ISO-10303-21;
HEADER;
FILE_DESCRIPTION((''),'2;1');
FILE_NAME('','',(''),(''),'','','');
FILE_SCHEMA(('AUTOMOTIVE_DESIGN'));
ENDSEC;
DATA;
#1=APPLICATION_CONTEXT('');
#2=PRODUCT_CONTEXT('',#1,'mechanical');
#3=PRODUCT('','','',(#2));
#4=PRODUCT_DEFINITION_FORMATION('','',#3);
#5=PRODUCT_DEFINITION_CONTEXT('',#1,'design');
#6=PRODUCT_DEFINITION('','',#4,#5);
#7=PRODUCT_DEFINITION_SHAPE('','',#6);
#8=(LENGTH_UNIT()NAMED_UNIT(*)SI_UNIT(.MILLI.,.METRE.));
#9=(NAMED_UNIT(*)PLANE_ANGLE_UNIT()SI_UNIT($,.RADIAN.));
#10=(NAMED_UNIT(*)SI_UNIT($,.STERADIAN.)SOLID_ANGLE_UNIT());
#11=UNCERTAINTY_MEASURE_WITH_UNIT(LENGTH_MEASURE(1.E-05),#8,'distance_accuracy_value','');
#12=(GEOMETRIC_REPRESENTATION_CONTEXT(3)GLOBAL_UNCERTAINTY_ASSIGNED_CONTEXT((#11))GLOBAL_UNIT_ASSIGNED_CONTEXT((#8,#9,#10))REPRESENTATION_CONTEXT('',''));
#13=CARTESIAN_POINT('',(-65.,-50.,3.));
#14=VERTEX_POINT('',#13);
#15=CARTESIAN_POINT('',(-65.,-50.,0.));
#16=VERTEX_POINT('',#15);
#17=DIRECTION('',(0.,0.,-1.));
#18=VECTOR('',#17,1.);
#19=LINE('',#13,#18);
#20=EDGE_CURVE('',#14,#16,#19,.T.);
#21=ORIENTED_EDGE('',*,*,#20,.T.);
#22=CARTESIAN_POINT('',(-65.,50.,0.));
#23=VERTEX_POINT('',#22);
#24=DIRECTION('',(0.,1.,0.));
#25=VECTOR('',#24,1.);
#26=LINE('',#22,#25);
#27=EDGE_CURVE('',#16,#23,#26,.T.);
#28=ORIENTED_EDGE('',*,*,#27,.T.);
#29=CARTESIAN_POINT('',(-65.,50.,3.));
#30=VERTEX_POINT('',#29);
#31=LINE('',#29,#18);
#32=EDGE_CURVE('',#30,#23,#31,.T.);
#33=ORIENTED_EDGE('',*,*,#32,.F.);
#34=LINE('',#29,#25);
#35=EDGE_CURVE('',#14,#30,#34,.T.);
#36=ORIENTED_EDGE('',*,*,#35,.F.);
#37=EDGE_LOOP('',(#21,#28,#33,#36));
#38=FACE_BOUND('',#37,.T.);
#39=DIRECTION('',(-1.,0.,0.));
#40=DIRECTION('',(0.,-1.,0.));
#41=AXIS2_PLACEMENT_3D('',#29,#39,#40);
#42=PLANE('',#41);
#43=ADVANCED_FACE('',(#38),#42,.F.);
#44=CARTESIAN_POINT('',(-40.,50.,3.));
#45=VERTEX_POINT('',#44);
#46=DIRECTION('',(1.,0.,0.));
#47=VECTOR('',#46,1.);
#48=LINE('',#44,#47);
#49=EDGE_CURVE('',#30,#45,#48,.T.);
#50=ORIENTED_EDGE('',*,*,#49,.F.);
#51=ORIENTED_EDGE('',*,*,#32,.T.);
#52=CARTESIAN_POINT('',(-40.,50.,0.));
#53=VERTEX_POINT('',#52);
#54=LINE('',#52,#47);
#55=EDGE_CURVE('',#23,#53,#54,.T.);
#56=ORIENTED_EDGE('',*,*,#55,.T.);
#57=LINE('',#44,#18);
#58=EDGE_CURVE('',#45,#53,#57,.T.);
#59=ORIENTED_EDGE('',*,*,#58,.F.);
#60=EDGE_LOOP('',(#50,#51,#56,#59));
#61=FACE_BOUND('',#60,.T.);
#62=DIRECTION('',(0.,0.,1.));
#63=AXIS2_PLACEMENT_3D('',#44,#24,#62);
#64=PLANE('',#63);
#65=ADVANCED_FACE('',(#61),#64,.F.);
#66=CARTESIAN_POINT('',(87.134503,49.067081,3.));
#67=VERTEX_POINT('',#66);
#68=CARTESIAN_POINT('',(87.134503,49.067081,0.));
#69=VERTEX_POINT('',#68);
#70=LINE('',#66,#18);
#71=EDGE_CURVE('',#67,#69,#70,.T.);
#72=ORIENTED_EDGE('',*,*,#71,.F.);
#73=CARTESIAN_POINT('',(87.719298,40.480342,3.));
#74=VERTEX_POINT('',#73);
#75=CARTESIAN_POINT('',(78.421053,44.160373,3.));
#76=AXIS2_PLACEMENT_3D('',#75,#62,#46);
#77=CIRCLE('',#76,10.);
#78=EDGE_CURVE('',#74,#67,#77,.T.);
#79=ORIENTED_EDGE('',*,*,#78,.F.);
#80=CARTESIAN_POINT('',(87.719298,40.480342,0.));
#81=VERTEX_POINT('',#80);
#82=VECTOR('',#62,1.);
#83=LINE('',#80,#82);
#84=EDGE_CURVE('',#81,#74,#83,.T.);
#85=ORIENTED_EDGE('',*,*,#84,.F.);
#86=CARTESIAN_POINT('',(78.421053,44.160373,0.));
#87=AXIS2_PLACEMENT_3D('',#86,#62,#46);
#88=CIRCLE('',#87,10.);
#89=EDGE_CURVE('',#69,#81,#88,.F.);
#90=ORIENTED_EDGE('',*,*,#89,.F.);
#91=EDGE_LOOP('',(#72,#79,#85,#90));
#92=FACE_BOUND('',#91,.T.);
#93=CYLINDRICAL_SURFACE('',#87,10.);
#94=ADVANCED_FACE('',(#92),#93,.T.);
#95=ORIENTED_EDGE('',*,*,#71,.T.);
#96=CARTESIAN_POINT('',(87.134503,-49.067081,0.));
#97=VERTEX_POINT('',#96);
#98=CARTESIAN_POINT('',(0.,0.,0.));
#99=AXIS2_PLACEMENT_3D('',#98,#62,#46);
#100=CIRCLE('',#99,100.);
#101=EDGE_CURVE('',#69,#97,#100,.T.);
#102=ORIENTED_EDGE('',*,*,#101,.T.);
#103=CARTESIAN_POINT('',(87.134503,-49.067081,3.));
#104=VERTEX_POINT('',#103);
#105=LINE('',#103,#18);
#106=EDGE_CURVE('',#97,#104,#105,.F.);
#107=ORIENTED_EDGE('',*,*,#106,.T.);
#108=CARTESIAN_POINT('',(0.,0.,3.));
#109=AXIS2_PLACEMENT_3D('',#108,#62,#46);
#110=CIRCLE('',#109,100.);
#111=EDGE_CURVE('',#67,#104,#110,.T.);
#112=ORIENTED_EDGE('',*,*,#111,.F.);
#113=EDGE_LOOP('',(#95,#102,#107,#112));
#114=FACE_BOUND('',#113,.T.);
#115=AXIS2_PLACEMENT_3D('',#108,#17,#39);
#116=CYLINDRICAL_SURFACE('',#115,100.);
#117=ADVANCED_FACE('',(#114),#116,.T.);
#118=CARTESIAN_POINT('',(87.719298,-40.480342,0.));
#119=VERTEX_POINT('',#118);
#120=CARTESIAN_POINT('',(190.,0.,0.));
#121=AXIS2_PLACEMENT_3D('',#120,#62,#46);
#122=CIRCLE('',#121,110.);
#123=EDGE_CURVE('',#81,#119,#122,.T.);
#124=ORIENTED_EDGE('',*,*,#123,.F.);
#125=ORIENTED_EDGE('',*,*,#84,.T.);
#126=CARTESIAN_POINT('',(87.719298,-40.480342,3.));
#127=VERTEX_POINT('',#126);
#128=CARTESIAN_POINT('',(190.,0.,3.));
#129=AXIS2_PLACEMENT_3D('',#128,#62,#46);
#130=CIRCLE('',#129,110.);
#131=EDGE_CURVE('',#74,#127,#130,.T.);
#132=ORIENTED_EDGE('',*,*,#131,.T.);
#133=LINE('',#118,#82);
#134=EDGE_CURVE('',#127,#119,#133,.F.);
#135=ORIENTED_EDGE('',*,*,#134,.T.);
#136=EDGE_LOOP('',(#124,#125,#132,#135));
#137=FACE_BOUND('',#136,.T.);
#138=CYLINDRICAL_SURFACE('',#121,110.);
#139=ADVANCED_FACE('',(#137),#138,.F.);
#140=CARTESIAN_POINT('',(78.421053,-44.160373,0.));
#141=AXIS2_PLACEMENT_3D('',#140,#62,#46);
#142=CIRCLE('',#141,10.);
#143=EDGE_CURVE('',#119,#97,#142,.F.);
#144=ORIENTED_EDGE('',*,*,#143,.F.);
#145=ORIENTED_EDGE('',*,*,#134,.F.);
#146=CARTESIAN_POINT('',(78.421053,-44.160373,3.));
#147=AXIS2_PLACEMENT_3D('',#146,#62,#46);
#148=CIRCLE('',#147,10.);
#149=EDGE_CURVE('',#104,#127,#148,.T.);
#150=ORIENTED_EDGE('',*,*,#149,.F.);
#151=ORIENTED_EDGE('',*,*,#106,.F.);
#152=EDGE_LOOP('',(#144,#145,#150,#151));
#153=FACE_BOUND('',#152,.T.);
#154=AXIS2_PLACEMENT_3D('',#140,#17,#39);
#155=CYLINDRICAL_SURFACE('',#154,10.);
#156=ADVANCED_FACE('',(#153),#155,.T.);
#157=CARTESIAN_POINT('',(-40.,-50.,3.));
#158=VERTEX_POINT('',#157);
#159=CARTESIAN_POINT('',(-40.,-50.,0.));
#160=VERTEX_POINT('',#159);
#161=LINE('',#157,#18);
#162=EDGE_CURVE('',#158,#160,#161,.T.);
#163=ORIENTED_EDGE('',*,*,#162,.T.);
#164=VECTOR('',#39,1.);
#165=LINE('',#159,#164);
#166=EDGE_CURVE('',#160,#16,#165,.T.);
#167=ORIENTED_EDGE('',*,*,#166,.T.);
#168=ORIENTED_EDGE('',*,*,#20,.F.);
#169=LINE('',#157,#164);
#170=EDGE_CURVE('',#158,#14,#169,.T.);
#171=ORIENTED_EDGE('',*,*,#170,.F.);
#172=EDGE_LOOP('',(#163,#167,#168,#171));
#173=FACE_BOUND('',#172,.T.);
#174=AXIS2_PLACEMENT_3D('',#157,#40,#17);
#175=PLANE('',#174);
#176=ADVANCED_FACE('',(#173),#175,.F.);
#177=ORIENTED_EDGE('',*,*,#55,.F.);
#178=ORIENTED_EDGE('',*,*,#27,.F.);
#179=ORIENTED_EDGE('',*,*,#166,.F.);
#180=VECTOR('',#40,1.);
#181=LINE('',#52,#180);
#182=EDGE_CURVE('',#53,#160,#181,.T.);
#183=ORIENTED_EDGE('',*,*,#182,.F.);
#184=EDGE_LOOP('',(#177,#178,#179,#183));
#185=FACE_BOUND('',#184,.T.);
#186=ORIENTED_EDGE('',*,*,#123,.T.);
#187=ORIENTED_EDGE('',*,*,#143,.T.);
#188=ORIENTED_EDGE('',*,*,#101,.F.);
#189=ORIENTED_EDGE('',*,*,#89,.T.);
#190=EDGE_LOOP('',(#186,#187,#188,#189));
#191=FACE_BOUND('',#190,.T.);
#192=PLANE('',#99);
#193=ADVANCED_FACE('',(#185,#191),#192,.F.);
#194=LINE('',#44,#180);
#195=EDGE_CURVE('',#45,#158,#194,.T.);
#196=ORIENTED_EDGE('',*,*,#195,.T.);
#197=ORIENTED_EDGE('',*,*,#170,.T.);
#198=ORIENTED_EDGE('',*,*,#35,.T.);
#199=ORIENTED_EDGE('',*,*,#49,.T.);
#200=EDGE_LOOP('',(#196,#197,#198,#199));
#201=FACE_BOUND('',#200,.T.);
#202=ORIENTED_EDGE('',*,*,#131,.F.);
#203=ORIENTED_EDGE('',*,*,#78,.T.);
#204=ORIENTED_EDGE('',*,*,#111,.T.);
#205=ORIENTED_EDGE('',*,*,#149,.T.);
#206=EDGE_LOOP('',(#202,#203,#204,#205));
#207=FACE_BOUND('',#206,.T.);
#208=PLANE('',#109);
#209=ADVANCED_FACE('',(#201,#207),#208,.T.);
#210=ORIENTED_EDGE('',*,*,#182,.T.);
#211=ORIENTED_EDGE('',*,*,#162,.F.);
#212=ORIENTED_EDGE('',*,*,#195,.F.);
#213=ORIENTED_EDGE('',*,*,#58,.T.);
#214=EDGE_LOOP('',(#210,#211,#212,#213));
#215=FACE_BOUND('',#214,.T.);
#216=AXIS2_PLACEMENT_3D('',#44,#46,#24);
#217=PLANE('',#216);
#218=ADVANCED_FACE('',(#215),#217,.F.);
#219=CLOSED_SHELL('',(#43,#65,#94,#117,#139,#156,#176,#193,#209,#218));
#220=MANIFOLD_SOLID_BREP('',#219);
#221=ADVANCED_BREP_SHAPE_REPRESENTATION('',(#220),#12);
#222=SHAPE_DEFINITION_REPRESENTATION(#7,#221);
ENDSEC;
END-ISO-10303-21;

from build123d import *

# Parameters (mm, degrees)
CROQUIS1_R              = 100
SALIENTE_EXTRUIR1_DEPTH = 3
CROQUIS3_R              = 110
CORTAR_EXTRUIR1_DEPTH   = 3
REDONDEO1_R             = 10
CROQUIS4_W              = 25
CROQUIS4_H              = 100
CORTAR_EXTRUIR2_DEPTH   = 142.453172607


with BuildPart() as part:
    # Croquis1 → Saliente-Extruir1 (new body)
    with BuildSketch(Plane.XY):
        Circle(CROQUIS1_R)
    extrude(amount=SALIENTE_EXTRUIR1_DEPTH)

    # Croquis3 → Cortar-Extruir1 (cut)
    with BuildSketch(Plane.XY.offset(3)):
        with Locations((190, 0)):
            Circle(CROQUIS3_R)
    extrude(amount=-CORTAR_EXTRUIR1_DEPTH, mode=Mode.SUBTRACT)

    # Redondeo1
    redondeo1_edges = [part.edges().sort_by_distance(p)[0] for p in [
        (89.473684211, -44.659375654, 1.5),
        (89.473684211, 44.659375654, 1.5),
    ]]
    fillet(redondeo1_edges, radius=REDONDEO1_R)

    # Croquis4 → Cortar-Extruir2 (cut, through all)
    with BuildSketch(Plane(origin=(0, 0, 0), x_dir=(-1, 0, 0), z_dir=(0, 0, -1))):
        with Locations((52.5, 0)):
            Rectangle(CROQUIS4_W, CROQUIS4_H)
    extrude(amount=-CORTAR_EXTRUIR2_DEPTH, mode=Mode.SUBTRACT)


solid = part.part
